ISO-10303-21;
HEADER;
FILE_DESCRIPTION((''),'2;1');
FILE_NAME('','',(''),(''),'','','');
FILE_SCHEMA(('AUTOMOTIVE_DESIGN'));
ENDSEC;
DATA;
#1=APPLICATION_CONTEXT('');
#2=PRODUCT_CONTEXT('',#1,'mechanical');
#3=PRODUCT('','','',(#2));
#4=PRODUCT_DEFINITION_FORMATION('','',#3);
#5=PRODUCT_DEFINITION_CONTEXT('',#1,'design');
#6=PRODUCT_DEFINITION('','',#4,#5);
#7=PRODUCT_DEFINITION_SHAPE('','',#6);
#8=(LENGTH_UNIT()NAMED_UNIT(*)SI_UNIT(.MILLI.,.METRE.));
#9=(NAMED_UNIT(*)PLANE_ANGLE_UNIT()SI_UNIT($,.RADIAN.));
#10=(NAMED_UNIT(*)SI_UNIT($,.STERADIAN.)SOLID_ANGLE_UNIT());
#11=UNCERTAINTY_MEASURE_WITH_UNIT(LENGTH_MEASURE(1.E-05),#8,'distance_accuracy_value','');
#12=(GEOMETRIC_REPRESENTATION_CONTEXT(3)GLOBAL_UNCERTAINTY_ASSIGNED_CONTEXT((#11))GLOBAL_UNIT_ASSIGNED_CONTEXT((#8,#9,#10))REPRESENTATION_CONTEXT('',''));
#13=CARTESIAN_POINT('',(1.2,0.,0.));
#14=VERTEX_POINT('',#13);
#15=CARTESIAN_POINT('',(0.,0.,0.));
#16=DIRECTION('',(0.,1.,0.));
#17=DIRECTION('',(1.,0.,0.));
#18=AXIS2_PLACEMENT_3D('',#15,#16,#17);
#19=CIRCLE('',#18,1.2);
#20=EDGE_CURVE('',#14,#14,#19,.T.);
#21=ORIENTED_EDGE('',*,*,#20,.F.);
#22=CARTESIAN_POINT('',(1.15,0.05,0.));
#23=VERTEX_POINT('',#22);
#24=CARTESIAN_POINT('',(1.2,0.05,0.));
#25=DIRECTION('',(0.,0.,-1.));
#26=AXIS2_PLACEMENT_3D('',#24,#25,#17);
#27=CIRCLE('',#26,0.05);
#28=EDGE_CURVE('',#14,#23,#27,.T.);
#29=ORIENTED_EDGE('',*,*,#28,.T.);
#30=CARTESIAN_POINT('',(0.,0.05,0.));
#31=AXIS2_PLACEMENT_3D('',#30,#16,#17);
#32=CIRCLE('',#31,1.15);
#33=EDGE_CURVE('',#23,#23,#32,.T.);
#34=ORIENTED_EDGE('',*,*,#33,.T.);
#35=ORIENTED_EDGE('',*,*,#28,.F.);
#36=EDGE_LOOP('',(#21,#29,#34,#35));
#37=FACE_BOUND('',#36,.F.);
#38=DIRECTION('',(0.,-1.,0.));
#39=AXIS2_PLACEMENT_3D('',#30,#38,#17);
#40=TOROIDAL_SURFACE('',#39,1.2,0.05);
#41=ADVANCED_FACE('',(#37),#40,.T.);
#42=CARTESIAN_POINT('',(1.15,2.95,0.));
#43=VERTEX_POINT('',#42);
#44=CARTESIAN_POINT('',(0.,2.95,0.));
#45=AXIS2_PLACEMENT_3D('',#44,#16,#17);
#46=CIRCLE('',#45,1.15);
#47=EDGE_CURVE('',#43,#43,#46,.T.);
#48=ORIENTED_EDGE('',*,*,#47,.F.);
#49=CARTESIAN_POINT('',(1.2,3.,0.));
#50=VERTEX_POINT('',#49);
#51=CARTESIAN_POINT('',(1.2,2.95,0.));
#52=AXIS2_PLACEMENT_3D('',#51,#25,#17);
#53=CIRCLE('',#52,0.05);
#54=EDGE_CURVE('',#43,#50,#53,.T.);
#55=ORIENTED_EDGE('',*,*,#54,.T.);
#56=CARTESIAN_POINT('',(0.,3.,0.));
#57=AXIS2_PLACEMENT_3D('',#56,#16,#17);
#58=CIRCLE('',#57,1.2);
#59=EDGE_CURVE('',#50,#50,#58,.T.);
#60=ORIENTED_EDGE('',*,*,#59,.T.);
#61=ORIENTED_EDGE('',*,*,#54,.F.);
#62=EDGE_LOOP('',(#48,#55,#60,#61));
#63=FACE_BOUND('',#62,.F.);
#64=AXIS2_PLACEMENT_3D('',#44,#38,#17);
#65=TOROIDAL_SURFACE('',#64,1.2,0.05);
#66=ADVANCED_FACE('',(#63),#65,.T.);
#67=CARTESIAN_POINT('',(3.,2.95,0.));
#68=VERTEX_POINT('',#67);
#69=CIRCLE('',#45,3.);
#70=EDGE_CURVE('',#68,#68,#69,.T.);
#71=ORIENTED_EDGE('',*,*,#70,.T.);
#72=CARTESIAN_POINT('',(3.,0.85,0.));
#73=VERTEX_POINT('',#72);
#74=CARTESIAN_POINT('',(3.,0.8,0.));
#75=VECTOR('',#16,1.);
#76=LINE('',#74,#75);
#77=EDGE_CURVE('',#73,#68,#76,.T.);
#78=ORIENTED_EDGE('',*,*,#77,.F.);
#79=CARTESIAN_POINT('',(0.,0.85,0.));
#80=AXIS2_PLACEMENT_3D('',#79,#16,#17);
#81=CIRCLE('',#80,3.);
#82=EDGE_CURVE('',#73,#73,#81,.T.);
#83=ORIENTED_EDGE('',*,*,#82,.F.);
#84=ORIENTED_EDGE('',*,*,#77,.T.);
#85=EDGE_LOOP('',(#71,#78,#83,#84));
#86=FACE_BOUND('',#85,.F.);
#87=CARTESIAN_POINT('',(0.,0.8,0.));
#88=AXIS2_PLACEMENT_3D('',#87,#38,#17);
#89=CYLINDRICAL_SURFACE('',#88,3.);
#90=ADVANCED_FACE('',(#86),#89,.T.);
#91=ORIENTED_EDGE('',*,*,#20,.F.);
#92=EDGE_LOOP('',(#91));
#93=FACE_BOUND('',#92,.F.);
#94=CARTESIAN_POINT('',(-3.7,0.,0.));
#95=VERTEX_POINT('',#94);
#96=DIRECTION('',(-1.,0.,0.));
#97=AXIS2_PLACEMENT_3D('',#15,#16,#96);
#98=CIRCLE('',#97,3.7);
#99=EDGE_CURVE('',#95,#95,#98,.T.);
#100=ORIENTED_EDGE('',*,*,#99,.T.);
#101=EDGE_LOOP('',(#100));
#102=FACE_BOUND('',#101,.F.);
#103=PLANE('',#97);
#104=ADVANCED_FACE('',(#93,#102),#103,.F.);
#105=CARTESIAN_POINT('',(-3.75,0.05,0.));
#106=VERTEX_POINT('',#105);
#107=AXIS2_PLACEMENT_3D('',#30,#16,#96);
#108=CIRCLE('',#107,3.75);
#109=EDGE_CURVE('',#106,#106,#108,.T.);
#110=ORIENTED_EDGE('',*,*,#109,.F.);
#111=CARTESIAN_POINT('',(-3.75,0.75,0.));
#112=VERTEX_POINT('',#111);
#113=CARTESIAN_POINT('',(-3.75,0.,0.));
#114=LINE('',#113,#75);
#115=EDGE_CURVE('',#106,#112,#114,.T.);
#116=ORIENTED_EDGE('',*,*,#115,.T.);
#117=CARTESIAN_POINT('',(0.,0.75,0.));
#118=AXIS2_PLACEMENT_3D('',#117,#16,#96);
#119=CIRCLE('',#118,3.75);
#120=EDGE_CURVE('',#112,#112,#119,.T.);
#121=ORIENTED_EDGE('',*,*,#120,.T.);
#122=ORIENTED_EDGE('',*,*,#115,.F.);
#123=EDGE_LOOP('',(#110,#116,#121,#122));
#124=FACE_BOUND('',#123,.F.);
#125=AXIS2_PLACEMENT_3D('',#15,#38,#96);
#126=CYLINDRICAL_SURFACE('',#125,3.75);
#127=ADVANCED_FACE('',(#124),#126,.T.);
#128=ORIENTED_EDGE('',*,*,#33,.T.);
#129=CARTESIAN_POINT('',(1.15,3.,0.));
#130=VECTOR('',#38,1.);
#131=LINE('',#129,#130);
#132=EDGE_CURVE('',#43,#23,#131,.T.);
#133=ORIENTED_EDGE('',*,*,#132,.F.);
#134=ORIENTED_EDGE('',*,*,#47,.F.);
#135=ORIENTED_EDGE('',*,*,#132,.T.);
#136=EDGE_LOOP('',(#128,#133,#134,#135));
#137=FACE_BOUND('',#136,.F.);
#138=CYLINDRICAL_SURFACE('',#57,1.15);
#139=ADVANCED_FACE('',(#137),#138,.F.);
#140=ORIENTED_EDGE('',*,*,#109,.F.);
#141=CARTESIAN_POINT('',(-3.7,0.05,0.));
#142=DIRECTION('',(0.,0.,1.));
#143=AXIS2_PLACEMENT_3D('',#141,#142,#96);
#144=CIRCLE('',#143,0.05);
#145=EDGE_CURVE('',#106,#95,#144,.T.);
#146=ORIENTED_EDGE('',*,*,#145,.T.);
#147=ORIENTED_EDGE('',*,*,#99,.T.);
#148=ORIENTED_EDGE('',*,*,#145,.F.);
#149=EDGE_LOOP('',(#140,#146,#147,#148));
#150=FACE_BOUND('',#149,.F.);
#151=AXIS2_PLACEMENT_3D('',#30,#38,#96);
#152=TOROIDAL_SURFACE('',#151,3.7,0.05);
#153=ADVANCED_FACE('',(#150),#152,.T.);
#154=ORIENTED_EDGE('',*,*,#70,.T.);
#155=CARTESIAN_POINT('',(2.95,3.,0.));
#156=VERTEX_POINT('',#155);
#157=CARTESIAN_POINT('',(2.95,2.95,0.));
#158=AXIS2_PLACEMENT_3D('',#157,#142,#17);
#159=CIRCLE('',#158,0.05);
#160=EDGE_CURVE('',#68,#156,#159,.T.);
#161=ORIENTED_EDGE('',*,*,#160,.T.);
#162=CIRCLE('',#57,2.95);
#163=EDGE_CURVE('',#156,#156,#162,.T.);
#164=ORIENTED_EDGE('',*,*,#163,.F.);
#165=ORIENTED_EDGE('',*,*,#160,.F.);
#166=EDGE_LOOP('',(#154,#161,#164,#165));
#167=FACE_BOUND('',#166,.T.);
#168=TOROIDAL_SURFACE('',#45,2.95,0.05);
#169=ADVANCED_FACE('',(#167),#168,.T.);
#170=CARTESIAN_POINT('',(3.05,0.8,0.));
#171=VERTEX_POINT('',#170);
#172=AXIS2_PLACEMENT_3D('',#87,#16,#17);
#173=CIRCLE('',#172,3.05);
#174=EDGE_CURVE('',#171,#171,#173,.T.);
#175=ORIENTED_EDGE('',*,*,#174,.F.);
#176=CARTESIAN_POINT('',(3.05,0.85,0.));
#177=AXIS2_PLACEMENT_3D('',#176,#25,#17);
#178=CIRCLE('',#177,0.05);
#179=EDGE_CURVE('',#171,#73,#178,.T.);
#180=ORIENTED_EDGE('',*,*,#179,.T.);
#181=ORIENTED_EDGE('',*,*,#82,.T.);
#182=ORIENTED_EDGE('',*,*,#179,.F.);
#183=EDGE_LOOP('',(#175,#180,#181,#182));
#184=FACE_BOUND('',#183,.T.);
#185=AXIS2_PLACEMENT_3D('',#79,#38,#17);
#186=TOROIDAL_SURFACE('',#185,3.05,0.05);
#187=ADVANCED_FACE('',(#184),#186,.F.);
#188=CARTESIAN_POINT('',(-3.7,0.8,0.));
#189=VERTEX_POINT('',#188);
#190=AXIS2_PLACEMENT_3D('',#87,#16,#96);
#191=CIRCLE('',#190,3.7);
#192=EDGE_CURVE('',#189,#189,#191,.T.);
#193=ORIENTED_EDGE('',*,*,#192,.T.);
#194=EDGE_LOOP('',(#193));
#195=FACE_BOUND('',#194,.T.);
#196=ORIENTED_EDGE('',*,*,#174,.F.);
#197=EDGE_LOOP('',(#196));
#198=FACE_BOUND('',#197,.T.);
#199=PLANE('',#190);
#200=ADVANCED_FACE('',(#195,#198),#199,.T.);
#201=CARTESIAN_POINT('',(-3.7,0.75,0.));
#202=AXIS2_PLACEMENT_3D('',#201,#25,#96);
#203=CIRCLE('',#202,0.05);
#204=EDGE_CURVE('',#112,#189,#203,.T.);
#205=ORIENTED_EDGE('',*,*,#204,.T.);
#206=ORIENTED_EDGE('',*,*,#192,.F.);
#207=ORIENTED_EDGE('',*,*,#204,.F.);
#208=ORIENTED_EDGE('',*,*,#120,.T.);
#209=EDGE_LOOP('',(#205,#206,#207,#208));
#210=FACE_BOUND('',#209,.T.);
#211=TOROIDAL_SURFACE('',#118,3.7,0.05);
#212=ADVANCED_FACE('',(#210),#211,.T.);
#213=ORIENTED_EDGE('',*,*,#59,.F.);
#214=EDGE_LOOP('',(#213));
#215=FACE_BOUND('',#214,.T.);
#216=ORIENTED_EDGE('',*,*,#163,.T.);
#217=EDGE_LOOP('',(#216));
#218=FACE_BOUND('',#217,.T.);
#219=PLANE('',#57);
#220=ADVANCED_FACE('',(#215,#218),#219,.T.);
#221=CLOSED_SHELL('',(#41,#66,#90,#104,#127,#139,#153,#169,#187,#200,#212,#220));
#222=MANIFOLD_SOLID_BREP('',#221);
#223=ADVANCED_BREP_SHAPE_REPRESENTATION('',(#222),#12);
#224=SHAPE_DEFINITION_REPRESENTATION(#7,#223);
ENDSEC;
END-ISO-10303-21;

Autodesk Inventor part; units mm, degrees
ref_plane "YZ Plane" through (0, 0, 0) normal (1, 0, 0) x (0, 1, 0)
ref_plane "XZ Plane" through (0, 0, 0) normal (0, 1, 0) x (-1, 0, 0)
ref_plane "XY Plane" through (0, 0, 0) normal (0, 0, 1) x (1, 0, 0)
sketch "Sketch1" plane through (0, 0, 0) normal (0, 1, 0) x (-1, 0, 0)
  circle A0 centre (0, 0) radius 3.75
  dimension "d0" = 7.5
extrude "Extrusion1" add sketch "Sketch1" along normal blind 0.8
sketch "Sketch2" plane through (0, 0.8, 0) normal (0, 1, 0) x (1, 0, 0)
  circle A0 centre (0, 0) radius 3
  dimension "d3" = 6
extrude "Extrusion2" add sketch "Sketch2" along normal blind 2.2
sketch "Sketch3" plane through (0, 3, 0) normal (0, 1, 0) x (1, 0, 0)
  circle A0 centre (0, 0) radius 1.15
  dimension "d6" = 2.3
extrude "Extrusion3" cut sketch "Sketch3" against normal blind 3.2
fillet "Fillet1" radius 0.05 6 edges at (-3, 3, 0) (-3, 0.8, 0) (3.75, 0.8, 0) (3.75, 0, 0) (-1.15, 3, 0) (-1.15, 0, 0)
properties part number "flangedBearing_2x6x2.3"
